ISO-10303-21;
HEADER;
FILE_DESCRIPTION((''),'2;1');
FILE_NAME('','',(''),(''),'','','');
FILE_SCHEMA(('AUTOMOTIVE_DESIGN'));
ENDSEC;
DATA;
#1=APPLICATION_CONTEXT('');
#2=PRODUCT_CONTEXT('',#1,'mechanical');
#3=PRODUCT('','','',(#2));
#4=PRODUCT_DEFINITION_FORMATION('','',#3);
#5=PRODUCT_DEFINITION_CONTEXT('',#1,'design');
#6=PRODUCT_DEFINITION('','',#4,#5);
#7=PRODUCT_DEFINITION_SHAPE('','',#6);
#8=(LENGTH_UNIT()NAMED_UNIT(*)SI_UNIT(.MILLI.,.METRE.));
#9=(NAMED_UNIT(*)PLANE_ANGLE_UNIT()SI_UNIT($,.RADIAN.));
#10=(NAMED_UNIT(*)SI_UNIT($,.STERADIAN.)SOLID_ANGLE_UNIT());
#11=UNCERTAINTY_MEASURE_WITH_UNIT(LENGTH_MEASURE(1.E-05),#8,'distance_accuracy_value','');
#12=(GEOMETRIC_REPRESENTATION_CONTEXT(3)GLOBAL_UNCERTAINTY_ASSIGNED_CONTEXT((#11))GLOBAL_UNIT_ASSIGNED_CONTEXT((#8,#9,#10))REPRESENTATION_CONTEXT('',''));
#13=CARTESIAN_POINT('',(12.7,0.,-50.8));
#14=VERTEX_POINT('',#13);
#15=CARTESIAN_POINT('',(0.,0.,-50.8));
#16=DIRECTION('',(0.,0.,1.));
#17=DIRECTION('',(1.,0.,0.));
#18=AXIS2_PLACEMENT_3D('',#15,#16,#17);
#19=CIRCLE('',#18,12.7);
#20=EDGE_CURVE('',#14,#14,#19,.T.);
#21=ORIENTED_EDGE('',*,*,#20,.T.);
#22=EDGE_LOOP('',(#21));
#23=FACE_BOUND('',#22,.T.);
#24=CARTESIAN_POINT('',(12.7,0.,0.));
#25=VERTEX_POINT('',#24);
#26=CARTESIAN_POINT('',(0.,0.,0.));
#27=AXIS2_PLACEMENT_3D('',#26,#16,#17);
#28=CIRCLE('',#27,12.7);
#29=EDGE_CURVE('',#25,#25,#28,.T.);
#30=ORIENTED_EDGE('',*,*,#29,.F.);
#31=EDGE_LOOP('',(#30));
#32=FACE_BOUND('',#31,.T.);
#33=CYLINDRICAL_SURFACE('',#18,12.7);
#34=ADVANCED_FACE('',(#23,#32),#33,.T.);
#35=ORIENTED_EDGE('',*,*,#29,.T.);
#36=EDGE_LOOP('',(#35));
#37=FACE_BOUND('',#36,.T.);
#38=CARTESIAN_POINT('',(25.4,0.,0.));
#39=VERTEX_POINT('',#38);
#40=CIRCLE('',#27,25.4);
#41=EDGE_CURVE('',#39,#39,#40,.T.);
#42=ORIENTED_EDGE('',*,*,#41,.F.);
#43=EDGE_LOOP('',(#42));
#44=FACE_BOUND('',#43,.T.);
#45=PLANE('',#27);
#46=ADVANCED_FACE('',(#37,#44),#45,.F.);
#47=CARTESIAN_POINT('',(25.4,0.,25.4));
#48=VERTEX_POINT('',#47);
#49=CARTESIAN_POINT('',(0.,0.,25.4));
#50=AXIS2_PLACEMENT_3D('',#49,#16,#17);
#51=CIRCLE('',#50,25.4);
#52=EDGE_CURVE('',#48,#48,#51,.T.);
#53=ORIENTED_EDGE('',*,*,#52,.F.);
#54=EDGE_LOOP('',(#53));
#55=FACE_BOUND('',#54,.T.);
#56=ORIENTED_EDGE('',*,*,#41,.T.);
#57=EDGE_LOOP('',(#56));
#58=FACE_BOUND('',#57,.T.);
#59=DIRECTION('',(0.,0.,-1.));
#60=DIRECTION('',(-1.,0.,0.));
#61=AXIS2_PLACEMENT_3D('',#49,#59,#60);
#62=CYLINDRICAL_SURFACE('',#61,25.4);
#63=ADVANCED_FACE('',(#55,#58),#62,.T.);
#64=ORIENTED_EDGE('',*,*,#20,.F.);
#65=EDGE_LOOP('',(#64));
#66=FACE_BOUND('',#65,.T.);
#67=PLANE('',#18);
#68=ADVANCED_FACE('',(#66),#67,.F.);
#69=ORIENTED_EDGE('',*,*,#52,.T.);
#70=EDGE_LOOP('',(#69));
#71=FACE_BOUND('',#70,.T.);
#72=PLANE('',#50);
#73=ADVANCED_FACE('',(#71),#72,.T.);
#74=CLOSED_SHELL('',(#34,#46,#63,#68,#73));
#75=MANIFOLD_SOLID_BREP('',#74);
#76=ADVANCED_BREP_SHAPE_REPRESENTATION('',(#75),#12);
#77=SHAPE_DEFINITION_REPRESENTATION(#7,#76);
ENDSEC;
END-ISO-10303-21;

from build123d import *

# Parameters (mm, degrees)
SKETCH1_R           = 25.4
BOSS_EXTRUDE2_DEPTH = 25.4
SKETCH2_R           = 12.7
BOSS_EXTRUDE4_DEPTH = 50.8


with BuildPart() as part:
    # Sketch1 → Boss-Extrude2 (new body)
    with BuildSketch(Plane.XY):
        Circle(SKETCH1_R)
    extrude(amount=BOSS_EXTRUDE2_DEPTH)

    # Sketch2 → Boss-Extrude4 (add)
    with BuildSketch(Plane.XY):
        Circle(SKETCH2_R)
    extrude(amount=-BOSS_EXTRUDE4_DEPTH)


solid = part.part
